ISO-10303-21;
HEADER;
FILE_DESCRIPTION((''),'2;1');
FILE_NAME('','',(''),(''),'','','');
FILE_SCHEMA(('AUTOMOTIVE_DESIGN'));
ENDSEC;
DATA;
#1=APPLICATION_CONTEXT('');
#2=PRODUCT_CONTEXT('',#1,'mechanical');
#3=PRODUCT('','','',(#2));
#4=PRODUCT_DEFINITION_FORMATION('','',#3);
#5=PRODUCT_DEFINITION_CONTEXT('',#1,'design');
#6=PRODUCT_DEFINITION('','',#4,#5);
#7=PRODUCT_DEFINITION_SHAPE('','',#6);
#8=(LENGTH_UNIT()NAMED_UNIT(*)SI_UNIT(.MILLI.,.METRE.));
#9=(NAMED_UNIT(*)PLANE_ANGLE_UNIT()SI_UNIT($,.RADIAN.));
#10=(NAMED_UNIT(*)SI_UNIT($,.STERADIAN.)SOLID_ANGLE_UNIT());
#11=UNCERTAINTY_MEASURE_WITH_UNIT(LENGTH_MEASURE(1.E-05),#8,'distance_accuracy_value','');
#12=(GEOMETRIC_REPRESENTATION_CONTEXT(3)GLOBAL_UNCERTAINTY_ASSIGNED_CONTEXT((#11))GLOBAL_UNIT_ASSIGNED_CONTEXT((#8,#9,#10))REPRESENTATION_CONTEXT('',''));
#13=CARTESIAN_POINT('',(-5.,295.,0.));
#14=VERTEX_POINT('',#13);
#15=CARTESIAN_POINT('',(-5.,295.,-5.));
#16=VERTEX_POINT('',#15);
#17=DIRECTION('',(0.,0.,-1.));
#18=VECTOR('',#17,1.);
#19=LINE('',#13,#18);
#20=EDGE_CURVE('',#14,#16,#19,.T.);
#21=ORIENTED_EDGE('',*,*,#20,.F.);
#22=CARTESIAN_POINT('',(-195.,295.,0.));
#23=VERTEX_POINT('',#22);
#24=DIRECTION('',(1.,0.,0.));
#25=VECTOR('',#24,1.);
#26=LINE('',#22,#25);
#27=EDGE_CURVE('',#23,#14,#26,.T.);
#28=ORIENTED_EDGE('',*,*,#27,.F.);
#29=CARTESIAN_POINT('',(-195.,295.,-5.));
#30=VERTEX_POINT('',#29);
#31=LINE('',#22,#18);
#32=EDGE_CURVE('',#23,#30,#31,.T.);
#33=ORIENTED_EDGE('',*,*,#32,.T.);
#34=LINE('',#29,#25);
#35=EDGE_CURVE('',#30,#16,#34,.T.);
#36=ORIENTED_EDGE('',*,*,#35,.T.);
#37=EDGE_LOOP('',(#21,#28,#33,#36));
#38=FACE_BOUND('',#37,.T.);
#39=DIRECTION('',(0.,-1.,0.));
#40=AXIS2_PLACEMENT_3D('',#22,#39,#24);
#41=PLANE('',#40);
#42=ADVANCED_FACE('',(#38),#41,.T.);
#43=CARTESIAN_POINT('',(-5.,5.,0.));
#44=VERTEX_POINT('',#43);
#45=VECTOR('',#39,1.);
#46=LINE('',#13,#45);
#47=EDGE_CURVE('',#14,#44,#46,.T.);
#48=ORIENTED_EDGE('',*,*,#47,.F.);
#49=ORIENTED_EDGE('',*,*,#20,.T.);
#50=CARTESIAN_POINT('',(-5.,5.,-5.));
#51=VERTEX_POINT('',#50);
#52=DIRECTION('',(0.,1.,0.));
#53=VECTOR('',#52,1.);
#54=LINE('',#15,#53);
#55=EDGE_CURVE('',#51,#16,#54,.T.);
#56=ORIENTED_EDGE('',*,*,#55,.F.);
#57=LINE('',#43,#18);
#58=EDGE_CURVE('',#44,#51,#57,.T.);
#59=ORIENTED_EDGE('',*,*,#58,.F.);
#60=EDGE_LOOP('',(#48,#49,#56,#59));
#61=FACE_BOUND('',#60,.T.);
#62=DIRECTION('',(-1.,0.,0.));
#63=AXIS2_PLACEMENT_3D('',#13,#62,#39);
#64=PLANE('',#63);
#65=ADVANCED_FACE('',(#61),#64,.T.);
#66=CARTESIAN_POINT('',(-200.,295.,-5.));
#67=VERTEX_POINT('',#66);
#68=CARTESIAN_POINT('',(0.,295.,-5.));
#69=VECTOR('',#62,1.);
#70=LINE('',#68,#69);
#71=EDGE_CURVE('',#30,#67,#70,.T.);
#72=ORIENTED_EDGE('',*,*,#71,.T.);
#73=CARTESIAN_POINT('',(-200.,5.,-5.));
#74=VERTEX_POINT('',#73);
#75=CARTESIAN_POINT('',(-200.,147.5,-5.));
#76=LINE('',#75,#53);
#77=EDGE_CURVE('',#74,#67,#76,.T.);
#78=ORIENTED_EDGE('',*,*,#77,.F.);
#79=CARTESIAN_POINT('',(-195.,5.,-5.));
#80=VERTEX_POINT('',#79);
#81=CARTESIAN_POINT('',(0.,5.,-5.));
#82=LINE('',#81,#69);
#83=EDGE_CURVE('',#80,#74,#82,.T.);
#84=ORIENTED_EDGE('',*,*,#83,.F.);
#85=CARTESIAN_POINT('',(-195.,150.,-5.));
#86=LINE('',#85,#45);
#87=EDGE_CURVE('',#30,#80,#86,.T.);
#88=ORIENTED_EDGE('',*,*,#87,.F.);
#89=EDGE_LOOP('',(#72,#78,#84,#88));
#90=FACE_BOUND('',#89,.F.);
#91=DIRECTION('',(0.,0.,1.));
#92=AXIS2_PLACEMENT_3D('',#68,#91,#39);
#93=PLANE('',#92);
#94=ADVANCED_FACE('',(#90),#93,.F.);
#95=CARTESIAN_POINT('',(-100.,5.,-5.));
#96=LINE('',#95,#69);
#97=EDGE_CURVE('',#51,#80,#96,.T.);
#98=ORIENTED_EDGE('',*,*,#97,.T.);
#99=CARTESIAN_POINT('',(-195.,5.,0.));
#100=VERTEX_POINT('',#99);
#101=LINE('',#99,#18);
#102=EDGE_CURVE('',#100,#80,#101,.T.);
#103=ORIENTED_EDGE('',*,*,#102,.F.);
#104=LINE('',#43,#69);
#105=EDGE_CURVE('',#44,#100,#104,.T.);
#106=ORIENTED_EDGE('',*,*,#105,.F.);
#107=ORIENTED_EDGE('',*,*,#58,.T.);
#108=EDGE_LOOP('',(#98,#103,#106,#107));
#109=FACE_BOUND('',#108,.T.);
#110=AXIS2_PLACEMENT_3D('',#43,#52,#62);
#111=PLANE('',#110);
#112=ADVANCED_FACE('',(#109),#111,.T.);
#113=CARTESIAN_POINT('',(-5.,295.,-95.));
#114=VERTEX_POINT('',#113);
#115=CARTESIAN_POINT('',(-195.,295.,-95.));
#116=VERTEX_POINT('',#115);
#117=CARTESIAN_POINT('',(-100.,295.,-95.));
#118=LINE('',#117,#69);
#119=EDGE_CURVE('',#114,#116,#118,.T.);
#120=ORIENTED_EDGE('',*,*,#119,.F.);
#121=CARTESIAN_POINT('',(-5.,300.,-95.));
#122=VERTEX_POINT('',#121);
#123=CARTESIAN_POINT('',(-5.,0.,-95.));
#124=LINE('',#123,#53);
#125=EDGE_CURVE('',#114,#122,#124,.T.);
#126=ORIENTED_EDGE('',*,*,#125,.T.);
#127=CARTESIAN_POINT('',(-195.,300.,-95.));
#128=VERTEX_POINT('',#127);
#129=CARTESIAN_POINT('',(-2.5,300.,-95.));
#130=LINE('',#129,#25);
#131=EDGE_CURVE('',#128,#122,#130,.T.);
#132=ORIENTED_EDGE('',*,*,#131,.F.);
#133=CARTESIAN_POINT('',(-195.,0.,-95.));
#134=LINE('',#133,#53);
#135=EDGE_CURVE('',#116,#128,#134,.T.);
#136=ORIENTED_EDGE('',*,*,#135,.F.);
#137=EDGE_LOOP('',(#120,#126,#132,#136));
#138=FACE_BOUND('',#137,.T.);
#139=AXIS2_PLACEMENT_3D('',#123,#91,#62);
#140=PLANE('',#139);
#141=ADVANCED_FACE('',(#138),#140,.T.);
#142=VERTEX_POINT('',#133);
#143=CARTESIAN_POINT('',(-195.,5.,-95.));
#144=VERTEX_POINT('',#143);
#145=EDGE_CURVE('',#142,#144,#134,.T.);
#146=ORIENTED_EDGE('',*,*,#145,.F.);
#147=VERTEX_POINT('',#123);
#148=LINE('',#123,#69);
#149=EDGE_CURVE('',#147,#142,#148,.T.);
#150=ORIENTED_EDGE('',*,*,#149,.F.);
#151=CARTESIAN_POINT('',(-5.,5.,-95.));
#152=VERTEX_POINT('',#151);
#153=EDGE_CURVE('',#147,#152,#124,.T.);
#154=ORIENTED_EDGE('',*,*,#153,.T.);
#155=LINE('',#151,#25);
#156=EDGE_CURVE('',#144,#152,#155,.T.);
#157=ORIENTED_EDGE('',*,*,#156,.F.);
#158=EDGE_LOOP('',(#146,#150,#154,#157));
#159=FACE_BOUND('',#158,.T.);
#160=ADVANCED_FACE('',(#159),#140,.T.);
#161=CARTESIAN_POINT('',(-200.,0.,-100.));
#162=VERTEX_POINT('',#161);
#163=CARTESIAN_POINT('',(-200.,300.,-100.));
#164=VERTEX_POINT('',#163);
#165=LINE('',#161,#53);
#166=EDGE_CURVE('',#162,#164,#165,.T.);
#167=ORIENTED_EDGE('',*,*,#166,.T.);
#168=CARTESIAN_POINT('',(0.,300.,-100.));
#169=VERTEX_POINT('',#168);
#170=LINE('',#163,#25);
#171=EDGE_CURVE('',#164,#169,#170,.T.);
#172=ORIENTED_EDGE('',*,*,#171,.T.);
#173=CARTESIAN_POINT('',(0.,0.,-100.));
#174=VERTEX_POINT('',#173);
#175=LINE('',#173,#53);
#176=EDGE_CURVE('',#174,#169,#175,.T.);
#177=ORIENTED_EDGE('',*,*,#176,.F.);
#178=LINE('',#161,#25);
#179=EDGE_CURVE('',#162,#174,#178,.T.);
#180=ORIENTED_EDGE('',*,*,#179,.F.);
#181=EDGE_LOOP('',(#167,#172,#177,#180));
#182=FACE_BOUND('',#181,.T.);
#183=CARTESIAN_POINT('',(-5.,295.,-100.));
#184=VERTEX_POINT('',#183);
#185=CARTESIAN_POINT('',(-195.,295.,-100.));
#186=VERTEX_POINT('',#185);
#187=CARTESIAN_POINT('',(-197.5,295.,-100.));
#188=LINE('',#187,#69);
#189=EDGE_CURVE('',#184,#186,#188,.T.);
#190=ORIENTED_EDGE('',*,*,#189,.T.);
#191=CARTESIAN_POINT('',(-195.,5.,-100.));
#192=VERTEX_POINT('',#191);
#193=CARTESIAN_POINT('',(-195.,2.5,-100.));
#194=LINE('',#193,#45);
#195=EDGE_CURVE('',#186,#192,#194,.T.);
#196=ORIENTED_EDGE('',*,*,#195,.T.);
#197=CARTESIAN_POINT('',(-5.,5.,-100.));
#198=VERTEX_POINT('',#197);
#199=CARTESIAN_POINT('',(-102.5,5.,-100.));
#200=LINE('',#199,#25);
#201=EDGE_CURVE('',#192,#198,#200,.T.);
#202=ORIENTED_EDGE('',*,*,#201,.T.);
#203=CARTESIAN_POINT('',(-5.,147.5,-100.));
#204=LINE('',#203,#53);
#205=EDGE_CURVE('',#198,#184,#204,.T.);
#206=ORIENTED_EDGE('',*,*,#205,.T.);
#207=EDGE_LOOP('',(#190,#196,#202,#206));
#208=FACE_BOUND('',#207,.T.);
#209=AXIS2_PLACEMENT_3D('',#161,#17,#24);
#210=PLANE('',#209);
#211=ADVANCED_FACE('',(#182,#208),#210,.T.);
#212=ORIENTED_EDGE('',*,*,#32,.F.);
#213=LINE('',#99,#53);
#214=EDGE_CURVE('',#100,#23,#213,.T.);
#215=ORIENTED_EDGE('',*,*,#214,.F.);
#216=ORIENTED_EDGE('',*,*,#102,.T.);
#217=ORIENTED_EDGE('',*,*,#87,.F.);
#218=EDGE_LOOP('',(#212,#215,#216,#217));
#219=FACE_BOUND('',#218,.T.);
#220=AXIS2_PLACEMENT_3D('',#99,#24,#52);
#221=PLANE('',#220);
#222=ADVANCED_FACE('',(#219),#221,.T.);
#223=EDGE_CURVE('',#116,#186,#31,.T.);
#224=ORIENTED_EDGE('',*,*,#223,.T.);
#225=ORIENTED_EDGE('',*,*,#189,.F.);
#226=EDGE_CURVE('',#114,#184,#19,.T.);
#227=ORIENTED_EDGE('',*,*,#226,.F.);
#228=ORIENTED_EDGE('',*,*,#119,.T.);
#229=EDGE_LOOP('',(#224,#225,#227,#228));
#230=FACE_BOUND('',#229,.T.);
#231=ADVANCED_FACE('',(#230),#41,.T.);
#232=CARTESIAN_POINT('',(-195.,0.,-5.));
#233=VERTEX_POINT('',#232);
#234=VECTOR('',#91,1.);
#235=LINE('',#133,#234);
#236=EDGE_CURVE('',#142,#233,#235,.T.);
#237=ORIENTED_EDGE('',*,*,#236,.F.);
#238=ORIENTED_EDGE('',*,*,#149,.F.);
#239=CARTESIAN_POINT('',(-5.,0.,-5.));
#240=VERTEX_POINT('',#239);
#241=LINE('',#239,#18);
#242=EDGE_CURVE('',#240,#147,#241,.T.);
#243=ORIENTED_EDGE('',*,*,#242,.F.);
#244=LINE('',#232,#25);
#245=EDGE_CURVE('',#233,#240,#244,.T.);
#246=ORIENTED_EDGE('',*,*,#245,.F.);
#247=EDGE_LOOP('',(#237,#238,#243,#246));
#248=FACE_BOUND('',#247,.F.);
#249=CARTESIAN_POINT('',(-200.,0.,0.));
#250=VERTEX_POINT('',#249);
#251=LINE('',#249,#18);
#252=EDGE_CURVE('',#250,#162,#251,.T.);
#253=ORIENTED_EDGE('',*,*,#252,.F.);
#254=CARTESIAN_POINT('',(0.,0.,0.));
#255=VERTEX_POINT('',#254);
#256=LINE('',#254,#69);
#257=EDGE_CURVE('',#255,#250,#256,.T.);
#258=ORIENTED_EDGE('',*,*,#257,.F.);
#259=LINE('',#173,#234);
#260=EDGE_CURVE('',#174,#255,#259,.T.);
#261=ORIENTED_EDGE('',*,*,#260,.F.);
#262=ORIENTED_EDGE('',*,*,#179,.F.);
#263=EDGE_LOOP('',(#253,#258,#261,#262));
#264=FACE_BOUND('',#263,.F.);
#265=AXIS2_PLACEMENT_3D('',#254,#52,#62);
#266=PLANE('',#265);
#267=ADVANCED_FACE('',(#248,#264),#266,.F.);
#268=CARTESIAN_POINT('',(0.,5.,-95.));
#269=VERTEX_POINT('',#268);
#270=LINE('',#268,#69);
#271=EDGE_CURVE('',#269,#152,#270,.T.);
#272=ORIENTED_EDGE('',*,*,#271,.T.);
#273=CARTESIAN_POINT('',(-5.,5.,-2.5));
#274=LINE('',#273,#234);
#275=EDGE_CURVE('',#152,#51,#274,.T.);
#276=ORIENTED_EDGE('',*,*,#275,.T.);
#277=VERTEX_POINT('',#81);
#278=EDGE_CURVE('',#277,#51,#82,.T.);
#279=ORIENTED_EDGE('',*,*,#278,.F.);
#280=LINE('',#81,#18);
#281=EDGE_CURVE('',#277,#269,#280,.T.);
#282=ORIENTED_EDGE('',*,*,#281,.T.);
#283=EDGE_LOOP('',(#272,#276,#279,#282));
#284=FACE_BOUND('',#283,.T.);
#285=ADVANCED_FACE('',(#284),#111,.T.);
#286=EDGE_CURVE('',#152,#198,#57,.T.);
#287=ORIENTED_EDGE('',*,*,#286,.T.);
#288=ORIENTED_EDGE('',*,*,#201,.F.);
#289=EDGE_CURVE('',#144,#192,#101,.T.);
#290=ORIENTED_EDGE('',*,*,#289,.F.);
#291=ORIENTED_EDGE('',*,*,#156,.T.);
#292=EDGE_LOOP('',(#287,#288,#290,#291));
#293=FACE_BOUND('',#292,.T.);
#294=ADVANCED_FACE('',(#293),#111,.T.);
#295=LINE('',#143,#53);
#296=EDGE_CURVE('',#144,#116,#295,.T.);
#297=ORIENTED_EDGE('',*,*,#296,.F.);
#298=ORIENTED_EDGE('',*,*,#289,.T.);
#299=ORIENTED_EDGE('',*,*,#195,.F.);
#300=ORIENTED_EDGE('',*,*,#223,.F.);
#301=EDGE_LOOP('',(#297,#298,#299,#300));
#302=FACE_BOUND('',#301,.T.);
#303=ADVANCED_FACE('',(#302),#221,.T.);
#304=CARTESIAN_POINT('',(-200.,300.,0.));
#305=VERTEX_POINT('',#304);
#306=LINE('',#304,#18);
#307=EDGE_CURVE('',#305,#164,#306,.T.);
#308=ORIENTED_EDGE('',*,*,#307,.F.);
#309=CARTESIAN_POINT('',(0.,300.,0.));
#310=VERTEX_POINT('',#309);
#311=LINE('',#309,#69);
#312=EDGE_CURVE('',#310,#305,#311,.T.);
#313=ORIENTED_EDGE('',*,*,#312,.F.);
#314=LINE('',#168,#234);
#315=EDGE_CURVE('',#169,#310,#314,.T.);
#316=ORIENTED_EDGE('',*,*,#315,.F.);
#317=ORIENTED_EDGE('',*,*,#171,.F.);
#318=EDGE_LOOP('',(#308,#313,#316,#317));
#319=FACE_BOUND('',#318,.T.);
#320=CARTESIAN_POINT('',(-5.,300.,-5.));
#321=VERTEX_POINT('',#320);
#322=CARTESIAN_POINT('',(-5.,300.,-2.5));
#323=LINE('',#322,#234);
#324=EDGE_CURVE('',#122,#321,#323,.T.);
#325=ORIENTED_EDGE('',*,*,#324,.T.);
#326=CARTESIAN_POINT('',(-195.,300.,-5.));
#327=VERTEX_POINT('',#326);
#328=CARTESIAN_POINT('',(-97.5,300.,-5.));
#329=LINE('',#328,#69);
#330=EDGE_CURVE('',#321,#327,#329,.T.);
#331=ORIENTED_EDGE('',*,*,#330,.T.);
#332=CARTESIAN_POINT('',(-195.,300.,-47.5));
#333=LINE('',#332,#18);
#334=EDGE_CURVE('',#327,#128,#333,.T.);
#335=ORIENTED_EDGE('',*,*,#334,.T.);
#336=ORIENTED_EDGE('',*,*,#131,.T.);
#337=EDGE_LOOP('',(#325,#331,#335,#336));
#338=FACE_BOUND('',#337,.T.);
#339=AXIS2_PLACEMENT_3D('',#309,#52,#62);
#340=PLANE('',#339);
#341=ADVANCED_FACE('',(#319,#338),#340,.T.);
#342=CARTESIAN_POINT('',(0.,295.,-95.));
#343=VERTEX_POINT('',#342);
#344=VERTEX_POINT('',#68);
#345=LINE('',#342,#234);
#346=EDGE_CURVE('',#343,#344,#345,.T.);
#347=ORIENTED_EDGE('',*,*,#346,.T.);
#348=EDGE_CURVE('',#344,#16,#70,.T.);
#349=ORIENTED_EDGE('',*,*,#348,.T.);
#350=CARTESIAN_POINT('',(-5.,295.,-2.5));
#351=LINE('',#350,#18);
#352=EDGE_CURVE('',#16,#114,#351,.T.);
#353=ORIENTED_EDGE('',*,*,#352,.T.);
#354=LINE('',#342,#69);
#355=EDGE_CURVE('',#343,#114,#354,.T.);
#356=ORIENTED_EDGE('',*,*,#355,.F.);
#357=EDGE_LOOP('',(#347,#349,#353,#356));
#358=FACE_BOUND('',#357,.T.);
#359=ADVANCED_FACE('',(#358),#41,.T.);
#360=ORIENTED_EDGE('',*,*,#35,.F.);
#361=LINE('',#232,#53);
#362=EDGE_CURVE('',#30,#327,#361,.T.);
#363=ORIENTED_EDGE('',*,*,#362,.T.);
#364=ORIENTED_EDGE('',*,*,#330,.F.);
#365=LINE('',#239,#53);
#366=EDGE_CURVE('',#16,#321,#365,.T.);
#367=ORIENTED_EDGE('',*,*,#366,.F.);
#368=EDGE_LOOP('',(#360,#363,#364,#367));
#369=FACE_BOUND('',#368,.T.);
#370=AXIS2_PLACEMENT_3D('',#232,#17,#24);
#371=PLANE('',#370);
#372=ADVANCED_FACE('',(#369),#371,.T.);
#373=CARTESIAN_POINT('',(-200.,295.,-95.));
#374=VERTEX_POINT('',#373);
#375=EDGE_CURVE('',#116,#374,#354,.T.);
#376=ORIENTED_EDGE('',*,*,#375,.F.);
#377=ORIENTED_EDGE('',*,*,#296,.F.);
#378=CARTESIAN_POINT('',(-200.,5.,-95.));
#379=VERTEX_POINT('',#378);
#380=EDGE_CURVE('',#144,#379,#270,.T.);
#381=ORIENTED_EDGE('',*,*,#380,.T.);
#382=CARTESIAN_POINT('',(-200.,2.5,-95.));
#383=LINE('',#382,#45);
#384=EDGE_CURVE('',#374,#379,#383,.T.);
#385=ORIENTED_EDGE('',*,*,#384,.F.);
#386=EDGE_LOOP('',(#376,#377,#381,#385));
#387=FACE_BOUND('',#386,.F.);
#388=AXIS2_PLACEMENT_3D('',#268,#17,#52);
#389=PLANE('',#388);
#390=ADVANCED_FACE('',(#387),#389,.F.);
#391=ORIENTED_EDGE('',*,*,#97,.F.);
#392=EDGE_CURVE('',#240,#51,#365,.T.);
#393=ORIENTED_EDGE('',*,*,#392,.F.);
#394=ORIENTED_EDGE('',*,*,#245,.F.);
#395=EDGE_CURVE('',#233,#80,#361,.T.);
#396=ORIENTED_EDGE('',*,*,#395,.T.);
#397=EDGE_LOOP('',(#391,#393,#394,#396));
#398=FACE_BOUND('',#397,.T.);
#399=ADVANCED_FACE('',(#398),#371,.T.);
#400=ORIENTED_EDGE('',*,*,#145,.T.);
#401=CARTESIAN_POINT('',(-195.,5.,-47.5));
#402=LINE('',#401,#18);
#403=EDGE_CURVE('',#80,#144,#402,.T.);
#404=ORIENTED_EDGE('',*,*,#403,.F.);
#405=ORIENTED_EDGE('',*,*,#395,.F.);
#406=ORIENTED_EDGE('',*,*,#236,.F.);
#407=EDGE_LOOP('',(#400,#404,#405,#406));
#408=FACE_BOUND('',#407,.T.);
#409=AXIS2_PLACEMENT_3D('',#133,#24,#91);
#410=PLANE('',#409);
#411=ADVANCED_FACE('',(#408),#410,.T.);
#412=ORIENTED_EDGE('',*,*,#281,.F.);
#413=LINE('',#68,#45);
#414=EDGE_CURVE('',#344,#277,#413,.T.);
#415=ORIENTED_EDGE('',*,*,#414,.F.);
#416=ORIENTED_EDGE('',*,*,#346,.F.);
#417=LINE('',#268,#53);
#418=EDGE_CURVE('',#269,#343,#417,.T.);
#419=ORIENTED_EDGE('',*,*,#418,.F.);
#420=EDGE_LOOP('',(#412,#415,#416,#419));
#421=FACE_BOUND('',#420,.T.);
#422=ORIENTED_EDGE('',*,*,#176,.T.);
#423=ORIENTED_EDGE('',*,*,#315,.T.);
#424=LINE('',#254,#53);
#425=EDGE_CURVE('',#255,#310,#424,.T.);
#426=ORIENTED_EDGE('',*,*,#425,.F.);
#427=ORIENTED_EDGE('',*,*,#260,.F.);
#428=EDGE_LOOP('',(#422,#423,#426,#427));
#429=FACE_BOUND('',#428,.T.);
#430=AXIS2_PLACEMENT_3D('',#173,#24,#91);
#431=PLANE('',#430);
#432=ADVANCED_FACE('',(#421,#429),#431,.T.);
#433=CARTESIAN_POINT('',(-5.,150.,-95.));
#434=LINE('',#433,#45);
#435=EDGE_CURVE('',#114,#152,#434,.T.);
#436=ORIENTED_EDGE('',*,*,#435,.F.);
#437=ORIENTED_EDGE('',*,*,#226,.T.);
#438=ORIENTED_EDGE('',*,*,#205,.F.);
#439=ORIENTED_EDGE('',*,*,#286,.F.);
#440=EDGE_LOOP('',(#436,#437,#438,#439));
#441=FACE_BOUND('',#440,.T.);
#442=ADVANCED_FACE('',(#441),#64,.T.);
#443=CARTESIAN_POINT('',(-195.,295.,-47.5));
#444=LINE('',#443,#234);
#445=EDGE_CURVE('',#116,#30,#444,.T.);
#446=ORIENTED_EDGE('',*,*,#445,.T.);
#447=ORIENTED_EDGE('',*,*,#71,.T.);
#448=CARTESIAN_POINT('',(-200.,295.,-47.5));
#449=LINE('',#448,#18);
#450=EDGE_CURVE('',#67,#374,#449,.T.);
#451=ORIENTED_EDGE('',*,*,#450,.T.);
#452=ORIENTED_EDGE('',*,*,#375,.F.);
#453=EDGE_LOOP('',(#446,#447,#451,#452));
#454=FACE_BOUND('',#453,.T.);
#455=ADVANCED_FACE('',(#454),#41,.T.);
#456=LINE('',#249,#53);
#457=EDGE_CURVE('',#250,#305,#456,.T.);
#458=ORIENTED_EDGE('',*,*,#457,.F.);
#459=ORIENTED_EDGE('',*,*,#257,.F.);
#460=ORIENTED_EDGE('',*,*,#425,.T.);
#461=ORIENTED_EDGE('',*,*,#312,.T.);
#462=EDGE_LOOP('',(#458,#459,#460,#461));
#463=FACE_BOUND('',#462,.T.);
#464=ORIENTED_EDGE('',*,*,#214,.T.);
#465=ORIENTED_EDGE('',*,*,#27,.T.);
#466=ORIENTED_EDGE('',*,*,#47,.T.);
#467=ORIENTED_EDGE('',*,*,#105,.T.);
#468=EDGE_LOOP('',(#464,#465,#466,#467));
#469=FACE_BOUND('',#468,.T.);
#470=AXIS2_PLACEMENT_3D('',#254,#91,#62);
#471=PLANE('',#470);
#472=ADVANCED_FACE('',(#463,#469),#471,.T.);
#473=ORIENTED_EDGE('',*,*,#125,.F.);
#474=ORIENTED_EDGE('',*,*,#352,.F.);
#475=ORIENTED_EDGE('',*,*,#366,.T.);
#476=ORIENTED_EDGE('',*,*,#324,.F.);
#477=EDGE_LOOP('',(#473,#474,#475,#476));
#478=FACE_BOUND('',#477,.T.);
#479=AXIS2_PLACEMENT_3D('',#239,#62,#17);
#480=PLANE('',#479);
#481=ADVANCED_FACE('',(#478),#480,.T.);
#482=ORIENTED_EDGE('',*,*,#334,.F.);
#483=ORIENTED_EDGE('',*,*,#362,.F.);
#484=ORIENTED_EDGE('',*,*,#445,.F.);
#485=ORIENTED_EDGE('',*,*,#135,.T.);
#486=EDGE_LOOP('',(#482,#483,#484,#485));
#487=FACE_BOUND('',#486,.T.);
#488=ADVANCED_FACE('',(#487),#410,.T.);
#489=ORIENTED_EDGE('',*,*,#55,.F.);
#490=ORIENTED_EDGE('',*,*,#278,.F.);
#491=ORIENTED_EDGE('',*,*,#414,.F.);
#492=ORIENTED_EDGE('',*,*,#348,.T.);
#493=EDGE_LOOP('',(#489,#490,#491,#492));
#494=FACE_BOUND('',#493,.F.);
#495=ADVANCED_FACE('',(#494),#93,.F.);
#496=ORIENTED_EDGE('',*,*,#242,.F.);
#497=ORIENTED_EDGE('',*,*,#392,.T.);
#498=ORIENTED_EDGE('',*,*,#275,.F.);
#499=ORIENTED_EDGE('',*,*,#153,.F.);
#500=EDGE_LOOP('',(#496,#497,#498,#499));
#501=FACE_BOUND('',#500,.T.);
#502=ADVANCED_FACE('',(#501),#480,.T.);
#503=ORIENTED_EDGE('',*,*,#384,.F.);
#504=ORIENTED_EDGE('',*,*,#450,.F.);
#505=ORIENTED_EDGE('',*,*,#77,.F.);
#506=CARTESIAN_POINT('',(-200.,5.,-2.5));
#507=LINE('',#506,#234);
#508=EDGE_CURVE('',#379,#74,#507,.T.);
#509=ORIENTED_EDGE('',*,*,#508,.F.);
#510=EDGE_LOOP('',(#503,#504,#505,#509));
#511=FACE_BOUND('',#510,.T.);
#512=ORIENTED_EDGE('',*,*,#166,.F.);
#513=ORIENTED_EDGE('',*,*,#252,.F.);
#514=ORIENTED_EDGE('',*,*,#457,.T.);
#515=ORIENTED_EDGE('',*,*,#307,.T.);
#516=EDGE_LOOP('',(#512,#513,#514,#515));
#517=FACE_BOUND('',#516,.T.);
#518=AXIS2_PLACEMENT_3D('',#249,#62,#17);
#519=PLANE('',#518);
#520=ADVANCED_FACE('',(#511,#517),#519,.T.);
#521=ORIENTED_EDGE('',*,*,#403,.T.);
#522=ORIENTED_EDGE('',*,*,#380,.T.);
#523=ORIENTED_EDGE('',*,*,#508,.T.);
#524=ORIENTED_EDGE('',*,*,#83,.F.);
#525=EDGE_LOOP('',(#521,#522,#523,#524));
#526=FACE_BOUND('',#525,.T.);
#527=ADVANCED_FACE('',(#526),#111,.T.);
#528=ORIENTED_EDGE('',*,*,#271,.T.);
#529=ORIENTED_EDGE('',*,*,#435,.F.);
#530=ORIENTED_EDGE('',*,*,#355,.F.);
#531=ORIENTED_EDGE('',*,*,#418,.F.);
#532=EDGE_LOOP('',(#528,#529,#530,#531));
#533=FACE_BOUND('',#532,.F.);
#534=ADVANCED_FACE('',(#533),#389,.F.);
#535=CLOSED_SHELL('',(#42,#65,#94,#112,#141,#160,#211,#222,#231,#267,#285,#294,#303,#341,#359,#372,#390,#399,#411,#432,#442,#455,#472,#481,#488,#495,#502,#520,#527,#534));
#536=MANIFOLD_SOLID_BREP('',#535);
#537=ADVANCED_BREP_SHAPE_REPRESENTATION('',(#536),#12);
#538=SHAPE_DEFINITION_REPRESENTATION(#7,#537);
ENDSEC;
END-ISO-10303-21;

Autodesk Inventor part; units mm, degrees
ref_plane "YZ Plane" through (0, 0, 0) normal (1, 0, 0) x (0, 1, 0)
ref_plane "XZ Plane" through (0, 0, 0) normal (0, 1, 0) x (-1, 0, 0)
ref_plane "XY Plane" through (0, 0, 0) normal (0, 0, 1) x (1, 0, 0)
sketch "Sketch1" plane through (0, 0, 0) normal (0, 1, 0) x (-1, 0, 0)
  line L0 (0, 0) -> (200, 0)
  line L1 (200, 0) -> (200, -100)
  line L2 (200, -100) -> (0, -100)
  line L3 (0, -100) -> (0, 0)
  point P0 (100, -50)
  dimension "d0" = 100
  dimension "d1" = 200
extrude "Extrusion1" add sketch "Sketch1" along normal blind 300
sketch "Sketch3" plane through (0, 0, 0) normal (0, 0, 1) x (1, 0, 0)
  line L0 (-200, 300) -> (0, 300) projected
  line L1 (-200, 300) -> (0, 300)
  line L2 (0, 300) -> (0, 0)
  line L3 (0, 0) -> (-200, 0)
  line L4 (-200, 0) -> (-200, 300)
  line L5 (-195, 295) -> (-5, 295)
  line L6 (-5, 295) -> (-5, 5)
  line L7 (-5, 5) -> (-195, 5)
  line L8 (-195, 5) -> (-195, 295)
  line L9 (-195, 295) -> (-5, 5) construction
  line L10 (-5, 295) -> (-195, 5) construction
  point P0 (-100, 150)
  dimension "d8" = 5
  dimension "d9" = 5
  dimension "d10" = 5
  dimension "d11" = 5
extrude "Extrusion2" cut sketch "Sketch3" against normal through all contours L5 L6 L7 L8
sketch "Sketch4" plane through (0, 0, 0) normal (1, 0, 0) x (0, 1, 0)
  line L0 (0, 0) -> (300, 0) projected
  line L1 (0, -100) -> (300, -100) projected
  line L2 (0, 0) -> (300, 0)
  line L3 (300, 0) -> (300, -100)
  line L4 (300, -100) -> (0, -100)
  line L5 (0, -100) -> (0, 0)
  line L6 (295, -5) -> (5, -5)
  line L7 (5, -5) -> (5, -95)
  line L8 (5, -95) -> (295, -95)
  line L9 (295, -95) -> (295, -5)
  line L10 (295, -5) -> (5, -95) construction
  line L11 (5, -5) -> (295, -95) construction
  point P0 (150, -50)
  dimension "d14" = 5
  dimension "d15" = 5
  dimension "d16" = 5
  dimension "d17" = 5
extrude "Extrusion3" cut sketch "Sketch4" against normal through all contours L9 L8 L7 L6
sketch "Sketch6" plane through (0, 0, 0) normal (0, 1, 0) x (-1, 0, 0)
  line L0 (195, -5) -> (5, -5)
  line L1 (5, -5) -> (5, -95)
  line L2 (5, -95) -> (195, -95)
  line L3 (195, -95) -> (195, -5)
  line L4 (195, -5) -> (5, -95) construction
  line L5 (5, -5) -> (195, -95) construction
  line L6 (200, 0) -> (200, -100) projected
  line L7 (0, 0) -> (200, 0) projected
  line L8 (0, -100) -> (0, 0) projected
  line L9 (200, -100) -> (0, -100) projected
  point P0 (100, -50)
  dimension "d20" = 5
  dimension "d21" = 5
  dimension "d22" = 5
  dimension "d23" = 5
extrude "Extrusion4" cut sketch "Sketch6" along normal through all contours L3 L2 L1 L0
properties part number "CubeSat Frame"
